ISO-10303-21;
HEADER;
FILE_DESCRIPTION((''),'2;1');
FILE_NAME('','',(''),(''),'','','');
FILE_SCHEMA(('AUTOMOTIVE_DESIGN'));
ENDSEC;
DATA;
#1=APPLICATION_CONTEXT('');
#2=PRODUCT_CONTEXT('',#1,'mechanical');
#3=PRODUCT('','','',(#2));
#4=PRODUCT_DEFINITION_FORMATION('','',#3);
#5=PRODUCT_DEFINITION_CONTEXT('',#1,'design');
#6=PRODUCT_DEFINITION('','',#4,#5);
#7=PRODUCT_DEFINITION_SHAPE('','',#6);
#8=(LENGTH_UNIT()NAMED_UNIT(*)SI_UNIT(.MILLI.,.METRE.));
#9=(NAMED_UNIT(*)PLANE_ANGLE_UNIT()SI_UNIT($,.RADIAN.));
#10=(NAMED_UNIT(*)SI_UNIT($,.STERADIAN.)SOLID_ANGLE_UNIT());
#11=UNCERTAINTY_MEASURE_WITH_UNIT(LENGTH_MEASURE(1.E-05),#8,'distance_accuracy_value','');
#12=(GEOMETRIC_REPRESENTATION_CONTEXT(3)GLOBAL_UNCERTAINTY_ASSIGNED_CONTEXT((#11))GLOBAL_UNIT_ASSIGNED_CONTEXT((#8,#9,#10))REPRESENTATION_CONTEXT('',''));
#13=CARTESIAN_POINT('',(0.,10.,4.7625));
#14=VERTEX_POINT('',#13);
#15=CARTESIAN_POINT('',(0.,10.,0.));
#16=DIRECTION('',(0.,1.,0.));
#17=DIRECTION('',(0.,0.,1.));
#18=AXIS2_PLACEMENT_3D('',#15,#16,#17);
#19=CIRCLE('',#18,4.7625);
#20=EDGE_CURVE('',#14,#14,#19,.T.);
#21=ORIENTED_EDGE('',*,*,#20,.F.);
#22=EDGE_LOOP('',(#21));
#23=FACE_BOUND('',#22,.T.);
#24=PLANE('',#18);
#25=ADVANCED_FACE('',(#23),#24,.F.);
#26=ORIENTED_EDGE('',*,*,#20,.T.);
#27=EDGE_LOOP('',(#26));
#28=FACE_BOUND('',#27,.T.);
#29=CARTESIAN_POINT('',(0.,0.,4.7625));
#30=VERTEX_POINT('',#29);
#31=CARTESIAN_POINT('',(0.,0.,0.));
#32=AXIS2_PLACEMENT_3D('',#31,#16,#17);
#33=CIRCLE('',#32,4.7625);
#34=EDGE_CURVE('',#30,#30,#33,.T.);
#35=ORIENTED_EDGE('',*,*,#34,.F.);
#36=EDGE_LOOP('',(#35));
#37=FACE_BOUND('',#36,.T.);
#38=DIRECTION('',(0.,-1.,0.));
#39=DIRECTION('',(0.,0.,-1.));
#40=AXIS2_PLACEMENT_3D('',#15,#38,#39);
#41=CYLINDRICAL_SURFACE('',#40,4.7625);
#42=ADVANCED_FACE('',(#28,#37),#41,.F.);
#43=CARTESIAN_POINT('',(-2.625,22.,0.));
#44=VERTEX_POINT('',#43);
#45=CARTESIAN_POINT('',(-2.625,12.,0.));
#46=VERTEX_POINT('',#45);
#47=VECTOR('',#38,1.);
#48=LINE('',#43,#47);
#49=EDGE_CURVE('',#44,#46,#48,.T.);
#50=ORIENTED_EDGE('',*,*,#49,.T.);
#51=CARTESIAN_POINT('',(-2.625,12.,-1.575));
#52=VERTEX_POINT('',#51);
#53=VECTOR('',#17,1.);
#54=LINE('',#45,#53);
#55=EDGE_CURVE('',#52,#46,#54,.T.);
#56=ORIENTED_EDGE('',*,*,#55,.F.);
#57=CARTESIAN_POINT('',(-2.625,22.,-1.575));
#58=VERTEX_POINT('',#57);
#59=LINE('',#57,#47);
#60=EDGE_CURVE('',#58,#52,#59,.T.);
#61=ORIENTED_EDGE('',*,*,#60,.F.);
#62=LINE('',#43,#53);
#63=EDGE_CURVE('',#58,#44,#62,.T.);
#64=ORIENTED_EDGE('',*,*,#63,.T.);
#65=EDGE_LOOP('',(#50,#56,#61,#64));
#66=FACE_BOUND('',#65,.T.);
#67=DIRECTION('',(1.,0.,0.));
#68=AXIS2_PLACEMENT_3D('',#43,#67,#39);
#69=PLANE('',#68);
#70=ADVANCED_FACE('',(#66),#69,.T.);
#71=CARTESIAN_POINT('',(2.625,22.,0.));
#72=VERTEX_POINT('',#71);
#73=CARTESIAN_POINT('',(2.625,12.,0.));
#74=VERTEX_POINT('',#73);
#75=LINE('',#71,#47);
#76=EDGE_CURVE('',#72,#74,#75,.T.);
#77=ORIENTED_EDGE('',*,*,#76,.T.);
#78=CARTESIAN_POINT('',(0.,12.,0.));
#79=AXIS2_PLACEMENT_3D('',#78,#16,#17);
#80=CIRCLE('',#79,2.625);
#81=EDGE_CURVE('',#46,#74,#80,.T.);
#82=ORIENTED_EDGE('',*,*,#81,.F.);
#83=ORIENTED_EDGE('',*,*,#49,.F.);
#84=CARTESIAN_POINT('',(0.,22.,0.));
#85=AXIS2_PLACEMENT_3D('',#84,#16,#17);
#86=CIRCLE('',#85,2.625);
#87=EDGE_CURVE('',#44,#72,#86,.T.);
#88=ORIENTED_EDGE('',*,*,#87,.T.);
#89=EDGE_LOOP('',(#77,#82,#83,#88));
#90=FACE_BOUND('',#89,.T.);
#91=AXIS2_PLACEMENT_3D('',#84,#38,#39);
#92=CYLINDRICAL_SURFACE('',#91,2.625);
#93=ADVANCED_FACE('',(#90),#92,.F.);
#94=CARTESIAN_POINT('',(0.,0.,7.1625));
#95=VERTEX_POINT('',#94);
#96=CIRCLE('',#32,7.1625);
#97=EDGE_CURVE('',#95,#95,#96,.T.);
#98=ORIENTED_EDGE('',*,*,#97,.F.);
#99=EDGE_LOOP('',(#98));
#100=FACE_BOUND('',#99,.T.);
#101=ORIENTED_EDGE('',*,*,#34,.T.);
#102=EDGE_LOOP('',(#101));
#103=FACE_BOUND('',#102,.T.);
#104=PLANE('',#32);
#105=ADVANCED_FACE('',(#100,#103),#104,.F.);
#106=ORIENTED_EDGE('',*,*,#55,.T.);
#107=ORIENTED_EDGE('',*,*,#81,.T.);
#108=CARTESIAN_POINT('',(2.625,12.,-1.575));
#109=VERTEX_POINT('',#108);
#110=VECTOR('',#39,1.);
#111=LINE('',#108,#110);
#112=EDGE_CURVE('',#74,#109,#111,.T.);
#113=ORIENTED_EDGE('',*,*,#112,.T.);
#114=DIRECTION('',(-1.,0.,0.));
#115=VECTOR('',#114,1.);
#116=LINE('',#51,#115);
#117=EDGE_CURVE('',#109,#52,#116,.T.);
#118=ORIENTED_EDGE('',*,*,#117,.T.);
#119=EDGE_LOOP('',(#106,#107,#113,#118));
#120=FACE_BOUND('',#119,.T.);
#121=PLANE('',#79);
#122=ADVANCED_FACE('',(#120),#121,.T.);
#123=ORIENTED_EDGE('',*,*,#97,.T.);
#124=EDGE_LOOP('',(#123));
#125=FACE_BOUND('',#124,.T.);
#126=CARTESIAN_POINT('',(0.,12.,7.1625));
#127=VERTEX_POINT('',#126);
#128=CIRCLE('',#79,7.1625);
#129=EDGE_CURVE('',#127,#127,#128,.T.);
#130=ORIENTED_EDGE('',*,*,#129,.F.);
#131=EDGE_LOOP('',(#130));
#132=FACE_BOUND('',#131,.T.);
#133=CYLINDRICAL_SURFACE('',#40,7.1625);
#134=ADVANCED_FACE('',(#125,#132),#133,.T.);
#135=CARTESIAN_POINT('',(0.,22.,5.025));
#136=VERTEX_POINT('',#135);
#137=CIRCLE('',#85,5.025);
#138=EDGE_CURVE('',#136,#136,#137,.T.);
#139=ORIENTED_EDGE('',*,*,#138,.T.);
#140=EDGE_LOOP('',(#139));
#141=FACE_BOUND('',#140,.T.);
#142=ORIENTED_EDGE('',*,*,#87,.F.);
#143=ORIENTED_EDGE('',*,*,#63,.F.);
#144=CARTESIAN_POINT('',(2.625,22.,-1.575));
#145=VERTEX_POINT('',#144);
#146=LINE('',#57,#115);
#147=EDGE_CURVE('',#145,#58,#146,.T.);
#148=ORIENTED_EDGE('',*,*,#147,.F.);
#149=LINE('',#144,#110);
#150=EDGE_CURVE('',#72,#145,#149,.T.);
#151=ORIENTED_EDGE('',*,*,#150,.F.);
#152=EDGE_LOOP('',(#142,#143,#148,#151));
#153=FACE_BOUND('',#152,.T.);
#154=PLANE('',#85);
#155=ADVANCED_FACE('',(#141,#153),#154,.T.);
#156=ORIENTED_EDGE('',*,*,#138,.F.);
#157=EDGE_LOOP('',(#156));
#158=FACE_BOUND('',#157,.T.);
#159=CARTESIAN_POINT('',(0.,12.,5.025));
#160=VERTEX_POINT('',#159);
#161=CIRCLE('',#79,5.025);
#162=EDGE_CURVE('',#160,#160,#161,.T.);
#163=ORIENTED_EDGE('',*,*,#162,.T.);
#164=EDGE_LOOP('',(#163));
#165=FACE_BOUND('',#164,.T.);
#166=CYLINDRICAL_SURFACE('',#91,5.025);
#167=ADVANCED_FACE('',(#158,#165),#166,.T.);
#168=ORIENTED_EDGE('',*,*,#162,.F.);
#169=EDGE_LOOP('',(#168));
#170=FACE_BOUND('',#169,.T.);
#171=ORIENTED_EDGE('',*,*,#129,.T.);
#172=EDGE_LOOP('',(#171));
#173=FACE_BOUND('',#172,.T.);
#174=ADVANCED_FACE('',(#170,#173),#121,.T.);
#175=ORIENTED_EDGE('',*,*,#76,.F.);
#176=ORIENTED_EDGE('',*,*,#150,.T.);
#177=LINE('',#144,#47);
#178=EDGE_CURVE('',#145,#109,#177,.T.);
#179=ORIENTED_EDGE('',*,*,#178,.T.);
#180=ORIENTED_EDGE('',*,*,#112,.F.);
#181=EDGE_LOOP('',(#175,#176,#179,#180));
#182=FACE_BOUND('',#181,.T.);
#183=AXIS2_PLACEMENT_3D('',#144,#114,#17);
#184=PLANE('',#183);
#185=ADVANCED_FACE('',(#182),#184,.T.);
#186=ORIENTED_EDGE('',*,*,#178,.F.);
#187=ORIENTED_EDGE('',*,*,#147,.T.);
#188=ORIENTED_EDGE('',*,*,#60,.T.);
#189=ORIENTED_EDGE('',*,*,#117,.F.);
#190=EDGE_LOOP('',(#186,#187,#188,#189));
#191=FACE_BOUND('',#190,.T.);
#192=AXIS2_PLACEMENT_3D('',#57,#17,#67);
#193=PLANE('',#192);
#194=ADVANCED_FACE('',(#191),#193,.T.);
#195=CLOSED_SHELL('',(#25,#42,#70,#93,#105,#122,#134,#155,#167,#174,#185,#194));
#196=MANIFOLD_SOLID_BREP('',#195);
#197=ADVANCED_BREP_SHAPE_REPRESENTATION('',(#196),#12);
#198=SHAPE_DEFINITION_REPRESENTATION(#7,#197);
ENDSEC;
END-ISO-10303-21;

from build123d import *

# Parameters (mm, degrees)
SKETCH1_R           = 7.1625
SKETCH1_R_2         = 4.7625
BOSS_EXTRUDE1_DEPTH = 10
SKETCH2_R           = 7.1625
SKETCH2_R_2         = 4.7625
BOSS_EXTRUDE2_DEPTH = 2
SKETCH3_R           = 5.025
BOSS_EXTRUDE3_DEPTH = 10


with BuildPart() as part:
    # Sketch1 → Boss-Extrude1 (new body)
    with BuildSketch(Plane(origin=(0, 0, 0), x_dir=(1, 0, 0), z_dir=(0, 1, 0))):
        Circle(SKETCH1_R)
        Circle(SKETCH1_R_2, mode=Mode.SUBTRACT)
    extrude(amount=BOSS_EXTRUDE1_DEPTH)

    # Sketch2 → Boss-Extrude2 (add)
    with BuildSketch(Plane(origin=(0, 10, 0), x_dir=(1, 0, 0), z_dir=(0, 1, 0))):
        Circle(SKETCH2_R)
        Circle(SKETCH2_R_2, mode=Mode.SUBTRACT)
        Circle(SKETCH2_R_2)
    extrude(amount=BOSS_EXTRUDE2_DEPTH)

    # Sketch3 → Boss-Extrude3 (add)
    with BuildSketch(Plane(origin=(0, 12, 0), x_dir=(1, 0, 0), z_dir=(0, 1, 0))):
        Circle(SKETCH3_R)
        with BuildLine():
            Line((-2.625, 0), (-2.625, 1.575))
            Line((-2.625, 1.575), (2.625, 1.575))
            Line((2.625, 1.575), (2.625, 0))
            ThreePointArc((2.625, 0), (0, -2.625), (-2.625, 0))
        make_face(mode=Mode.SUBTRACT)
    extrude(amount=BOSS_EXTRUDE3_DEPTH)


solid = part.part
